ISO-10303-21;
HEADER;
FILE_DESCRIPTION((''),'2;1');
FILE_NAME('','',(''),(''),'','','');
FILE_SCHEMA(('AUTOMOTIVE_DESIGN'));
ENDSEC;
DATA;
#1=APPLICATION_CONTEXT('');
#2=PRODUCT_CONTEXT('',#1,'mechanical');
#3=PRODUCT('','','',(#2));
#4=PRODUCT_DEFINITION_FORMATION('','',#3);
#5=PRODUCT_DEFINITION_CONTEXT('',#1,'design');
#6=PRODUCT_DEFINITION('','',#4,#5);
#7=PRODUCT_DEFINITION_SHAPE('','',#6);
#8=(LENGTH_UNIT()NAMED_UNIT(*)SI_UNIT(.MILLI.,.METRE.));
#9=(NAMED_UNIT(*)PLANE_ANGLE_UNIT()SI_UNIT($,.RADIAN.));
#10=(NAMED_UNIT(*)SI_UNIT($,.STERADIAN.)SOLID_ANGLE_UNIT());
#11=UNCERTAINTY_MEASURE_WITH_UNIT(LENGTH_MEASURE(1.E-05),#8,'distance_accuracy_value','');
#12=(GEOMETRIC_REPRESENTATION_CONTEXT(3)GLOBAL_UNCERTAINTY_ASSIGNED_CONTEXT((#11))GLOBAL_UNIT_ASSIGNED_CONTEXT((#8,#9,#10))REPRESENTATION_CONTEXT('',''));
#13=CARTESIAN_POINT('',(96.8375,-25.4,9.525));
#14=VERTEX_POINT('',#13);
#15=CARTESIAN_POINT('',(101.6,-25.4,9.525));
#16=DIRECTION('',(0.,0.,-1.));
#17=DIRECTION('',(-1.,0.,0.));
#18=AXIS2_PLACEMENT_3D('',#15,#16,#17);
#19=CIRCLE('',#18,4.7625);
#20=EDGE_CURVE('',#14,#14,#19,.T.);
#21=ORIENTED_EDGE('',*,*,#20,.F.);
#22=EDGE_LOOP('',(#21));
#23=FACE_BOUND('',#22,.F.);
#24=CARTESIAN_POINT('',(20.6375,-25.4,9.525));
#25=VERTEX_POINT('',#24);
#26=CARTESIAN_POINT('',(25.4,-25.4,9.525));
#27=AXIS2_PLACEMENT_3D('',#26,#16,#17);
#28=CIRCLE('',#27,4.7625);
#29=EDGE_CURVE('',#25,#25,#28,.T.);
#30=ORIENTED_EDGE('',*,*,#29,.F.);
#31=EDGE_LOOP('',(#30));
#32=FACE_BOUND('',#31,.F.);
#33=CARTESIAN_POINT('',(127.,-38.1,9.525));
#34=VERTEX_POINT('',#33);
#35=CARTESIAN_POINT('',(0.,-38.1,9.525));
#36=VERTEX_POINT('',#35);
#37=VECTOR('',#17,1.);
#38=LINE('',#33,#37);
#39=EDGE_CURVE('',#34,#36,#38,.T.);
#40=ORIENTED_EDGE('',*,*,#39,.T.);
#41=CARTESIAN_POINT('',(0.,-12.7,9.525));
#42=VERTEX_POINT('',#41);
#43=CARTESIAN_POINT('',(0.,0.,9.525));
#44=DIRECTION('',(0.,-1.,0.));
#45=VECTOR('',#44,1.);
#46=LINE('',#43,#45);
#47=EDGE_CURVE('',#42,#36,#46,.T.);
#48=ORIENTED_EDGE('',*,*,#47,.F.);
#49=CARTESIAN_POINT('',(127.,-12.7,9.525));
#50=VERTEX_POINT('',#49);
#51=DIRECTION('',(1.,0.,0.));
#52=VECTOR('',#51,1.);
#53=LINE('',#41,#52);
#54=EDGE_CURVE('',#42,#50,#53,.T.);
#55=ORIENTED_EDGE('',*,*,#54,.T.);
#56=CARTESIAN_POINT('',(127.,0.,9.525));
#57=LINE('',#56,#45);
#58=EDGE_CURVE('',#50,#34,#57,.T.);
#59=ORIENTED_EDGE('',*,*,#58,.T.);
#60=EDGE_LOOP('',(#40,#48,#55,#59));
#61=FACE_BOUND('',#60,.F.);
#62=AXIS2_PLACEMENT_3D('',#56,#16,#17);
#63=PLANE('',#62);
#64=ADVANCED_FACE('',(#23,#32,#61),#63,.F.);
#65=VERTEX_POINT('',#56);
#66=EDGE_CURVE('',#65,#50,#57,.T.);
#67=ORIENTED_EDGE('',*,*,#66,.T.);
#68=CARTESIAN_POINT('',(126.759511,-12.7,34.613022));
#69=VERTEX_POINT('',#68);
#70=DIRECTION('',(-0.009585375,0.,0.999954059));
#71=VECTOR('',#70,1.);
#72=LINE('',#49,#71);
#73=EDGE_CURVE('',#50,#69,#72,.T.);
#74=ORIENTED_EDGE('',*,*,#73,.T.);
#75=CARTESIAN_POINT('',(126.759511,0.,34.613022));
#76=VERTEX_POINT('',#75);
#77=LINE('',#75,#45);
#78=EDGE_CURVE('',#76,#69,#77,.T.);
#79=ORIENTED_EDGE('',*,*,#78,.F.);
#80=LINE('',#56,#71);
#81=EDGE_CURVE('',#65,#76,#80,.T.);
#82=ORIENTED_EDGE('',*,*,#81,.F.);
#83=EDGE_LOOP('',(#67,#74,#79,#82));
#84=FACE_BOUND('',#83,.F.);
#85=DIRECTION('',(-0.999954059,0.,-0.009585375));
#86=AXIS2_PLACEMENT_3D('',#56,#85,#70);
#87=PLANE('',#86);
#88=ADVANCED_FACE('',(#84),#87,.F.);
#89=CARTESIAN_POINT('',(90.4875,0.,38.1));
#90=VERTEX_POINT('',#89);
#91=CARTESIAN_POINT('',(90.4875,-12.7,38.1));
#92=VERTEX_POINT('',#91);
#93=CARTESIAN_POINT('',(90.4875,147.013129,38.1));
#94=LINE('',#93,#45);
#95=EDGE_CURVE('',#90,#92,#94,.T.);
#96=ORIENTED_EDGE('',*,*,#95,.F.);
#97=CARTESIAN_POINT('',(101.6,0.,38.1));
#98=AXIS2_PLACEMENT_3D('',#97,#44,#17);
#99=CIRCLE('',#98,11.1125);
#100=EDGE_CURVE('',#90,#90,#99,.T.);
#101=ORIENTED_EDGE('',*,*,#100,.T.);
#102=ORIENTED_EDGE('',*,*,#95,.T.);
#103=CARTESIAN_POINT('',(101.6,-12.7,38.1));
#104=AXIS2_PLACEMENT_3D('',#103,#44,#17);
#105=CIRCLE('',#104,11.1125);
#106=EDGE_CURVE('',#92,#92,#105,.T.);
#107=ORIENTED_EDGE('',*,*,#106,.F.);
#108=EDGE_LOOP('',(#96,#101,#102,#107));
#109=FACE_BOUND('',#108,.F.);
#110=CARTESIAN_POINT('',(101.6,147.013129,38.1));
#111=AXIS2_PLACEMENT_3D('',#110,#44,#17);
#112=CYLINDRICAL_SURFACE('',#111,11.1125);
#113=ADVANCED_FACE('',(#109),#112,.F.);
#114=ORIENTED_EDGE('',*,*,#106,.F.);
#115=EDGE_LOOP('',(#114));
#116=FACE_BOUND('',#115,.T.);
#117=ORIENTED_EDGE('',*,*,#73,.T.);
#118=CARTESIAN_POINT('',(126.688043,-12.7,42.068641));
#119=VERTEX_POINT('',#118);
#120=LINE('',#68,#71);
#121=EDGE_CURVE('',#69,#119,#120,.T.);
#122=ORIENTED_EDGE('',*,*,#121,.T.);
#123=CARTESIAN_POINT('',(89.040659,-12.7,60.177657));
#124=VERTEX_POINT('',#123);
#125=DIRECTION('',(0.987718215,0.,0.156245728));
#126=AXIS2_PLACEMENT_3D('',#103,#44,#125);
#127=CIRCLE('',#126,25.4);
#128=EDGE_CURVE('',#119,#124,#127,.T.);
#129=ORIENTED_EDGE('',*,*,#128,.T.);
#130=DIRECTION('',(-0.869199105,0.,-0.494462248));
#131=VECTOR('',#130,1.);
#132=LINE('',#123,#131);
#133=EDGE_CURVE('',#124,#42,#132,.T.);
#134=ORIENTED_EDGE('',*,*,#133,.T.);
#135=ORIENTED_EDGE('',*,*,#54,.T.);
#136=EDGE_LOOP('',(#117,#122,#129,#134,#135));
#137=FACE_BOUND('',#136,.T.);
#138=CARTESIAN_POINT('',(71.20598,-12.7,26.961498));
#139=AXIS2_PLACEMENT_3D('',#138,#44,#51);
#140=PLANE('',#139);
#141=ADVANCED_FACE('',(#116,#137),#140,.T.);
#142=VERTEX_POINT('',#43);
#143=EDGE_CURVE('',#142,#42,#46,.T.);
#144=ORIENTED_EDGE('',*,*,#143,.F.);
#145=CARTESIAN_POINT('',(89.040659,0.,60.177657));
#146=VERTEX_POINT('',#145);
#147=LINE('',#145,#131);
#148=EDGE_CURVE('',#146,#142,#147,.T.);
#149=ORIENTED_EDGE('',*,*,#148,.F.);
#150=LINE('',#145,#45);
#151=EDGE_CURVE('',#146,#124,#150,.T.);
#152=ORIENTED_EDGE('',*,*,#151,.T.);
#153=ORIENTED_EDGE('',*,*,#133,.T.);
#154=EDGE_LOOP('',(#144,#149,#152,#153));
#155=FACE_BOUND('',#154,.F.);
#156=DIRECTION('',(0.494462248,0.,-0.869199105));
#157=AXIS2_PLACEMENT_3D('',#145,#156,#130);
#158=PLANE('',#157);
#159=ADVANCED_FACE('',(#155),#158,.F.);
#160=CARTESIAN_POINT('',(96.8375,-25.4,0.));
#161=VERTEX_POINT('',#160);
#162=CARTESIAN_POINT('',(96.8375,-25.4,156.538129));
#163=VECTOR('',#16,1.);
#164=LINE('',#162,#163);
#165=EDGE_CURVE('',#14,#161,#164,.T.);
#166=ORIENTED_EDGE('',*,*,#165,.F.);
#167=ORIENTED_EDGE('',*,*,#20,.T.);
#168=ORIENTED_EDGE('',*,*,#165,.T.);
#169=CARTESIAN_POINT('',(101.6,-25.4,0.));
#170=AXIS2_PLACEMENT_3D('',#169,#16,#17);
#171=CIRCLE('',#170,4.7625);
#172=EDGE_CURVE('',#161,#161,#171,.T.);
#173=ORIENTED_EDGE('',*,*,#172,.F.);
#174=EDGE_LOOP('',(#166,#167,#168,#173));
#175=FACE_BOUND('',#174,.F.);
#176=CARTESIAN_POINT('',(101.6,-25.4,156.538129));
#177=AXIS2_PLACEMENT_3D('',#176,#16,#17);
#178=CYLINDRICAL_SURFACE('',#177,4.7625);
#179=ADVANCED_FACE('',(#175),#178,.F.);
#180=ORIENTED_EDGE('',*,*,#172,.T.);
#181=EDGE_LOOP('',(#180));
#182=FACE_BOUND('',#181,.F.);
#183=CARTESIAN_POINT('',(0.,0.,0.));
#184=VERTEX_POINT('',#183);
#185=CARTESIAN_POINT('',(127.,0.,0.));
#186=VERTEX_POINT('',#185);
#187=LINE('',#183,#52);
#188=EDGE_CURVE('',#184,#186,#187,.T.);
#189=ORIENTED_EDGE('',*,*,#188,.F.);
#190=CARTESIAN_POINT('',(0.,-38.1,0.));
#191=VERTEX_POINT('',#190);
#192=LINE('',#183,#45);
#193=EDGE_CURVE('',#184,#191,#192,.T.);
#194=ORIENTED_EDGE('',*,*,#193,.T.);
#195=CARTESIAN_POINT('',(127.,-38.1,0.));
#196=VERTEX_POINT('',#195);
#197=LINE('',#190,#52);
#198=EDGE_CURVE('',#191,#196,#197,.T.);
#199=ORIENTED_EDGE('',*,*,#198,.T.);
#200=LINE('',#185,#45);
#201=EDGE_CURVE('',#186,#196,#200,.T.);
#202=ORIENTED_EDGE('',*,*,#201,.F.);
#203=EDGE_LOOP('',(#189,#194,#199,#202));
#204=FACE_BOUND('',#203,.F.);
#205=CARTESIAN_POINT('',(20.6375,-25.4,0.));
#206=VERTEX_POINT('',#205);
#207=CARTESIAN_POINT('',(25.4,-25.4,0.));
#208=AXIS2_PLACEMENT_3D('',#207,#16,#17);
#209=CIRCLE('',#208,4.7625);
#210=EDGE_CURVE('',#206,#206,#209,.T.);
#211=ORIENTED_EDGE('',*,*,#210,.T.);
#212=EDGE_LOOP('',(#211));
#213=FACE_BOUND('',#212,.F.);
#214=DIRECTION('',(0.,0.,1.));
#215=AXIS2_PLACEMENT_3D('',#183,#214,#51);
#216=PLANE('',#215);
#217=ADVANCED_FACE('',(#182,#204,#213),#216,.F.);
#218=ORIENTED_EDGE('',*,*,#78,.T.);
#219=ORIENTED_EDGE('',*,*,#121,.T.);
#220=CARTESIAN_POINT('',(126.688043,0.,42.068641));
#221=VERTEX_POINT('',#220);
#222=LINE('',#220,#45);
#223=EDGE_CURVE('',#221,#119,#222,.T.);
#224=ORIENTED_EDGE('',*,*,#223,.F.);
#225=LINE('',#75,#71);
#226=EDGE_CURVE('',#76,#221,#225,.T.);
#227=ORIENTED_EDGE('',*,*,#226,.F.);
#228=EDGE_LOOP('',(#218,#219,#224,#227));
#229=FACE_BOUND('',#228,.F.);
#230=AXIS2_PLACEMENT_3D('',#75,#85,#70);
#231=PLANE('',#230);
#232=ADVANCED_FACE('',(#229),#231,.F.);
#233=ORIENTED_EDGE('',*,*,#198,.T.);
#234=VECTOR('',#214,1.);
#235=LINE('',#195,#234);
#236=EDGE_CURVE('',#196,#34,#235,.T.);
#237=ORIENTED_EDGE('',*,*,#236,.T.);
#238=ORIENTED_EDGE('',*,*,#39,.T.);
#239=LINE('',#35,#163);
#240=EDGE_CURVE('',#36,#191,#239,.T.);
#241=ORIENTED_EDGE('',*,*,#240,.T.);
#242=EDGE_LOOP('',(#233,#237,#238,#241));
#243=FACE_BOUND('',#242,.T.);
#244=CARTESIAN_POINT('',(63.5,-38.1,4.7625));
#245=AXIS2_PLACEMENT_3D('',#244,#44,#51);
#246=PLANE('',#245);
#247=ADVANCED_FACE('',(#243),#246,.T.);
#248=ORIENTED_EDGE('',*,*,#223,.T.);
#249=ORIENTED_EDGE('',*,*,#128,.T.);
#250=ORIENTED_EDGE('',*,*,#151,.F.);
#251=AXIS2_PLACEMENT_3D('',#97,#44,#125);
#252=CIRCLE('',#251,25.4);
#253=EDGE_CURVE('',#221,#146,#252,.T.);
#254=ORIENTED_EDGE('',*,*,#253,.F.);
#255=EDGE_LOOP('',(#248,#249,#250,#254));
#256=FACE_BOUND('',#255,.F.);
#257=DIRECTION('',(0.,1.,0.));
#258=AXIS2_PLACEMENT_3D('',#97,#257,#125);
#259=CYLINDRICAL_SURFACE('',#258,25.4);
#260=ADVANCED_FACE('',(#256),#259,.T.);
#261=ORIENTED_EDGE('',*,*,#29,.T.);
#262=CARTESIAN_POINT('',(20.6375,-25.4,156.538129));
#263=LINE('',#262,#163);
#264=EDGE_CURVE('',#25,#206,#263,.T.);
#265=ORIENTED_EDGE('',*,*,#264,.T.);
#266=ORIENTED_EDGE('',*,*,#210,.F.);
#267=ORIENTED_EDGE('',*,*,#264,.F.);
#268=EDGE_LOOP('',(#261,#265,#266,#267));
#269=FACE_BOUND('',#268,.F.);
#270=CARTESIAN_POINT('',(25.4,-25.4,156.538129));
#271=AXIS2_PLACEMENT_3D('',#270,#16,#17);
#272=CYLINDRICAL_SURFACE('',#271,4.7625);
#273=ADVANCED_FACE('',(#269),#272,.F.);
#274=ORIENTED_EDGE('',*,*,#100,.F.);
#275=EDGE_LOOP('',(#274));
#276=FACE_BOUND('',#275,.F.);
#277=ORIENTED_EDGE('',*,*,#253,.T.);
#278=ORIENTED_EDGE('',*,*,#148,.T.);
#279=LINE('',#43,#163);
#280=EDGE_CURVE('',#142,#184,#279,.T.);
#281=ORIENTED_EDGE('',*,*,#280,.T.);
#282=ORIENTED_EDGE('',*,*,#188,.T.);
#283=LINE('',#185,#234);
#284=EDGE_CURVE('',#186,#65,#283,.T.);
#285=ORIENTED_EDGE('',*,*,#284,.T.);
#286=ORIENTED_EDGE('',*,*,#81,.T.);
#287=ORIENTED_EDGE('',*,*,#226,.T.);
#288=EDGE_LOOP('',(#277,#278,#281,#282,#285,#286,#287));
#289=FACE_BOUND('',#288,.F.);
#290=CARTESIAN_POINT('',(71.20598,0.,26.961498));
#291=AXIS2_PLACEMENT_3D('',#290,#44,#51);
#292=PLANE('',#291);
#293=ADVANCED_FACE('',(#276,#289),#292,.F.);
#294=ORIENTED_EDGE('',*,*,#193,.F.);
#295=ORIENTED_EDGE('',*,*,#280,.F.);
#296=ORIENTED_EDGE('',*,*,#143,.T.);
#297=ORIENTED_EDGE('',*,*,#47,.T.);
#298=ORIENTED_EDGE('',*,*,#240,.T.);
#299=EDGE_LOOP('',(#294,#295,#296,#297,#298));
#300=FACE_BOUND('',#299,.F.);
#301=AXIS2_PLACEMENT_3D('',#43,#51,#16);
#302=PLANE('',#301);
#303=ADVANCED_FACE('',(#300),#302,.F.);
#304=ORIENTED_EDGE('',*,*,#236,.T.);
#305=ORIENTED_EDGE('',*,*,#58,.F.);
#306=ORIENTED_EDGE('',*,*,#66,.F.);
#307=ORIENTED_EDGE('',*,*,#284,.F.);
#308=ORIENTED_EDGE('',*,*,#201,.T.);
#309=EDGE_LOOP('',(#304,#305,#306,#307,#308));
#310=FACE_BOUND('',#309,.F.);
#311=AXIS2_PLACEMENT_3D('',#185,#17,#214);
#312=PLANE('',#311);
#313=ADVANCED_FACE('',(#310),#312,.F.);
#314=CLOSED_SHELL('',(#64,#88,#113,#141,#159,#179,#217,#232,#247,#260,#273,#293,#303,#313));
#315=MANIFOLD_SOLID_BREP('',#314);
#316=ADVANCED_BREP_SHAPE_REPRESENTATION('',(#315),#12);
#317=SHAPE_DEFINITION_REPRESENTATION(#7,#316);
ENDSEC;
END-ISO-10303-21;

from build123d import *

# Parameters (mm, degrees)
F1_DEPTH = 38.1
F2_DEPTH = 12.7
F3_D     = 22.225
F5_D     = 9.525
F6_D     = 9.525


with BuildPart() as f1:
    # F0 (on Front) → F1 (new body)
    with BuildSketch(Plane.XZ):
        Polygon((0, 9.525), (0, 0), (127, 0), (127, 9.525), (101.6, 9.525), align=None)
    extrude(amount=F1_DEPTH)

    # F0 (on Front) → F2 (join)
    with BuildSketch(Plane.XZ):
        with BuildLine():
            Line((89.0406588905, 60.1776572782), (0, 9.525))
            Line((0, 9.525), (101.6, 9.525))
            Line((101.6, 9.525), (127, 9.525))
            Line((127, 9.525), (126.7595108524, 34.6130222733))
            Line((126.7595108524, 34.6130222733), (126.6880426637, 42.0686414936))
            ThreePointArc((126.6880426637, 42.0686414936), (112.6102771914, 60.989600175), (89.0406588905, 60.1776572782))
        make_face()
    extrude(amount=F2_DEPTH)

    # F3 (through all)
    with Locations(Plane(origin=(0, 0, 0), x_dir=(1, 0, 0), z_dir=(0, 1, 0))):
        with Locations((101.6, -38.1)):
            Hole(F3_D / 2)

    # F5 (through all)
    with Locations(Plane.XY.offset(9.525)):
        with Locations((25.399999693, -25.4)):
            Hole(F5_D / 2)

    # F6 (through all)
    with Locations(Plane.XY.offset(9.525)):
        with Locations((101.6, -25.4)):
            Hole(F6_D / 2)


solid = f1.part
